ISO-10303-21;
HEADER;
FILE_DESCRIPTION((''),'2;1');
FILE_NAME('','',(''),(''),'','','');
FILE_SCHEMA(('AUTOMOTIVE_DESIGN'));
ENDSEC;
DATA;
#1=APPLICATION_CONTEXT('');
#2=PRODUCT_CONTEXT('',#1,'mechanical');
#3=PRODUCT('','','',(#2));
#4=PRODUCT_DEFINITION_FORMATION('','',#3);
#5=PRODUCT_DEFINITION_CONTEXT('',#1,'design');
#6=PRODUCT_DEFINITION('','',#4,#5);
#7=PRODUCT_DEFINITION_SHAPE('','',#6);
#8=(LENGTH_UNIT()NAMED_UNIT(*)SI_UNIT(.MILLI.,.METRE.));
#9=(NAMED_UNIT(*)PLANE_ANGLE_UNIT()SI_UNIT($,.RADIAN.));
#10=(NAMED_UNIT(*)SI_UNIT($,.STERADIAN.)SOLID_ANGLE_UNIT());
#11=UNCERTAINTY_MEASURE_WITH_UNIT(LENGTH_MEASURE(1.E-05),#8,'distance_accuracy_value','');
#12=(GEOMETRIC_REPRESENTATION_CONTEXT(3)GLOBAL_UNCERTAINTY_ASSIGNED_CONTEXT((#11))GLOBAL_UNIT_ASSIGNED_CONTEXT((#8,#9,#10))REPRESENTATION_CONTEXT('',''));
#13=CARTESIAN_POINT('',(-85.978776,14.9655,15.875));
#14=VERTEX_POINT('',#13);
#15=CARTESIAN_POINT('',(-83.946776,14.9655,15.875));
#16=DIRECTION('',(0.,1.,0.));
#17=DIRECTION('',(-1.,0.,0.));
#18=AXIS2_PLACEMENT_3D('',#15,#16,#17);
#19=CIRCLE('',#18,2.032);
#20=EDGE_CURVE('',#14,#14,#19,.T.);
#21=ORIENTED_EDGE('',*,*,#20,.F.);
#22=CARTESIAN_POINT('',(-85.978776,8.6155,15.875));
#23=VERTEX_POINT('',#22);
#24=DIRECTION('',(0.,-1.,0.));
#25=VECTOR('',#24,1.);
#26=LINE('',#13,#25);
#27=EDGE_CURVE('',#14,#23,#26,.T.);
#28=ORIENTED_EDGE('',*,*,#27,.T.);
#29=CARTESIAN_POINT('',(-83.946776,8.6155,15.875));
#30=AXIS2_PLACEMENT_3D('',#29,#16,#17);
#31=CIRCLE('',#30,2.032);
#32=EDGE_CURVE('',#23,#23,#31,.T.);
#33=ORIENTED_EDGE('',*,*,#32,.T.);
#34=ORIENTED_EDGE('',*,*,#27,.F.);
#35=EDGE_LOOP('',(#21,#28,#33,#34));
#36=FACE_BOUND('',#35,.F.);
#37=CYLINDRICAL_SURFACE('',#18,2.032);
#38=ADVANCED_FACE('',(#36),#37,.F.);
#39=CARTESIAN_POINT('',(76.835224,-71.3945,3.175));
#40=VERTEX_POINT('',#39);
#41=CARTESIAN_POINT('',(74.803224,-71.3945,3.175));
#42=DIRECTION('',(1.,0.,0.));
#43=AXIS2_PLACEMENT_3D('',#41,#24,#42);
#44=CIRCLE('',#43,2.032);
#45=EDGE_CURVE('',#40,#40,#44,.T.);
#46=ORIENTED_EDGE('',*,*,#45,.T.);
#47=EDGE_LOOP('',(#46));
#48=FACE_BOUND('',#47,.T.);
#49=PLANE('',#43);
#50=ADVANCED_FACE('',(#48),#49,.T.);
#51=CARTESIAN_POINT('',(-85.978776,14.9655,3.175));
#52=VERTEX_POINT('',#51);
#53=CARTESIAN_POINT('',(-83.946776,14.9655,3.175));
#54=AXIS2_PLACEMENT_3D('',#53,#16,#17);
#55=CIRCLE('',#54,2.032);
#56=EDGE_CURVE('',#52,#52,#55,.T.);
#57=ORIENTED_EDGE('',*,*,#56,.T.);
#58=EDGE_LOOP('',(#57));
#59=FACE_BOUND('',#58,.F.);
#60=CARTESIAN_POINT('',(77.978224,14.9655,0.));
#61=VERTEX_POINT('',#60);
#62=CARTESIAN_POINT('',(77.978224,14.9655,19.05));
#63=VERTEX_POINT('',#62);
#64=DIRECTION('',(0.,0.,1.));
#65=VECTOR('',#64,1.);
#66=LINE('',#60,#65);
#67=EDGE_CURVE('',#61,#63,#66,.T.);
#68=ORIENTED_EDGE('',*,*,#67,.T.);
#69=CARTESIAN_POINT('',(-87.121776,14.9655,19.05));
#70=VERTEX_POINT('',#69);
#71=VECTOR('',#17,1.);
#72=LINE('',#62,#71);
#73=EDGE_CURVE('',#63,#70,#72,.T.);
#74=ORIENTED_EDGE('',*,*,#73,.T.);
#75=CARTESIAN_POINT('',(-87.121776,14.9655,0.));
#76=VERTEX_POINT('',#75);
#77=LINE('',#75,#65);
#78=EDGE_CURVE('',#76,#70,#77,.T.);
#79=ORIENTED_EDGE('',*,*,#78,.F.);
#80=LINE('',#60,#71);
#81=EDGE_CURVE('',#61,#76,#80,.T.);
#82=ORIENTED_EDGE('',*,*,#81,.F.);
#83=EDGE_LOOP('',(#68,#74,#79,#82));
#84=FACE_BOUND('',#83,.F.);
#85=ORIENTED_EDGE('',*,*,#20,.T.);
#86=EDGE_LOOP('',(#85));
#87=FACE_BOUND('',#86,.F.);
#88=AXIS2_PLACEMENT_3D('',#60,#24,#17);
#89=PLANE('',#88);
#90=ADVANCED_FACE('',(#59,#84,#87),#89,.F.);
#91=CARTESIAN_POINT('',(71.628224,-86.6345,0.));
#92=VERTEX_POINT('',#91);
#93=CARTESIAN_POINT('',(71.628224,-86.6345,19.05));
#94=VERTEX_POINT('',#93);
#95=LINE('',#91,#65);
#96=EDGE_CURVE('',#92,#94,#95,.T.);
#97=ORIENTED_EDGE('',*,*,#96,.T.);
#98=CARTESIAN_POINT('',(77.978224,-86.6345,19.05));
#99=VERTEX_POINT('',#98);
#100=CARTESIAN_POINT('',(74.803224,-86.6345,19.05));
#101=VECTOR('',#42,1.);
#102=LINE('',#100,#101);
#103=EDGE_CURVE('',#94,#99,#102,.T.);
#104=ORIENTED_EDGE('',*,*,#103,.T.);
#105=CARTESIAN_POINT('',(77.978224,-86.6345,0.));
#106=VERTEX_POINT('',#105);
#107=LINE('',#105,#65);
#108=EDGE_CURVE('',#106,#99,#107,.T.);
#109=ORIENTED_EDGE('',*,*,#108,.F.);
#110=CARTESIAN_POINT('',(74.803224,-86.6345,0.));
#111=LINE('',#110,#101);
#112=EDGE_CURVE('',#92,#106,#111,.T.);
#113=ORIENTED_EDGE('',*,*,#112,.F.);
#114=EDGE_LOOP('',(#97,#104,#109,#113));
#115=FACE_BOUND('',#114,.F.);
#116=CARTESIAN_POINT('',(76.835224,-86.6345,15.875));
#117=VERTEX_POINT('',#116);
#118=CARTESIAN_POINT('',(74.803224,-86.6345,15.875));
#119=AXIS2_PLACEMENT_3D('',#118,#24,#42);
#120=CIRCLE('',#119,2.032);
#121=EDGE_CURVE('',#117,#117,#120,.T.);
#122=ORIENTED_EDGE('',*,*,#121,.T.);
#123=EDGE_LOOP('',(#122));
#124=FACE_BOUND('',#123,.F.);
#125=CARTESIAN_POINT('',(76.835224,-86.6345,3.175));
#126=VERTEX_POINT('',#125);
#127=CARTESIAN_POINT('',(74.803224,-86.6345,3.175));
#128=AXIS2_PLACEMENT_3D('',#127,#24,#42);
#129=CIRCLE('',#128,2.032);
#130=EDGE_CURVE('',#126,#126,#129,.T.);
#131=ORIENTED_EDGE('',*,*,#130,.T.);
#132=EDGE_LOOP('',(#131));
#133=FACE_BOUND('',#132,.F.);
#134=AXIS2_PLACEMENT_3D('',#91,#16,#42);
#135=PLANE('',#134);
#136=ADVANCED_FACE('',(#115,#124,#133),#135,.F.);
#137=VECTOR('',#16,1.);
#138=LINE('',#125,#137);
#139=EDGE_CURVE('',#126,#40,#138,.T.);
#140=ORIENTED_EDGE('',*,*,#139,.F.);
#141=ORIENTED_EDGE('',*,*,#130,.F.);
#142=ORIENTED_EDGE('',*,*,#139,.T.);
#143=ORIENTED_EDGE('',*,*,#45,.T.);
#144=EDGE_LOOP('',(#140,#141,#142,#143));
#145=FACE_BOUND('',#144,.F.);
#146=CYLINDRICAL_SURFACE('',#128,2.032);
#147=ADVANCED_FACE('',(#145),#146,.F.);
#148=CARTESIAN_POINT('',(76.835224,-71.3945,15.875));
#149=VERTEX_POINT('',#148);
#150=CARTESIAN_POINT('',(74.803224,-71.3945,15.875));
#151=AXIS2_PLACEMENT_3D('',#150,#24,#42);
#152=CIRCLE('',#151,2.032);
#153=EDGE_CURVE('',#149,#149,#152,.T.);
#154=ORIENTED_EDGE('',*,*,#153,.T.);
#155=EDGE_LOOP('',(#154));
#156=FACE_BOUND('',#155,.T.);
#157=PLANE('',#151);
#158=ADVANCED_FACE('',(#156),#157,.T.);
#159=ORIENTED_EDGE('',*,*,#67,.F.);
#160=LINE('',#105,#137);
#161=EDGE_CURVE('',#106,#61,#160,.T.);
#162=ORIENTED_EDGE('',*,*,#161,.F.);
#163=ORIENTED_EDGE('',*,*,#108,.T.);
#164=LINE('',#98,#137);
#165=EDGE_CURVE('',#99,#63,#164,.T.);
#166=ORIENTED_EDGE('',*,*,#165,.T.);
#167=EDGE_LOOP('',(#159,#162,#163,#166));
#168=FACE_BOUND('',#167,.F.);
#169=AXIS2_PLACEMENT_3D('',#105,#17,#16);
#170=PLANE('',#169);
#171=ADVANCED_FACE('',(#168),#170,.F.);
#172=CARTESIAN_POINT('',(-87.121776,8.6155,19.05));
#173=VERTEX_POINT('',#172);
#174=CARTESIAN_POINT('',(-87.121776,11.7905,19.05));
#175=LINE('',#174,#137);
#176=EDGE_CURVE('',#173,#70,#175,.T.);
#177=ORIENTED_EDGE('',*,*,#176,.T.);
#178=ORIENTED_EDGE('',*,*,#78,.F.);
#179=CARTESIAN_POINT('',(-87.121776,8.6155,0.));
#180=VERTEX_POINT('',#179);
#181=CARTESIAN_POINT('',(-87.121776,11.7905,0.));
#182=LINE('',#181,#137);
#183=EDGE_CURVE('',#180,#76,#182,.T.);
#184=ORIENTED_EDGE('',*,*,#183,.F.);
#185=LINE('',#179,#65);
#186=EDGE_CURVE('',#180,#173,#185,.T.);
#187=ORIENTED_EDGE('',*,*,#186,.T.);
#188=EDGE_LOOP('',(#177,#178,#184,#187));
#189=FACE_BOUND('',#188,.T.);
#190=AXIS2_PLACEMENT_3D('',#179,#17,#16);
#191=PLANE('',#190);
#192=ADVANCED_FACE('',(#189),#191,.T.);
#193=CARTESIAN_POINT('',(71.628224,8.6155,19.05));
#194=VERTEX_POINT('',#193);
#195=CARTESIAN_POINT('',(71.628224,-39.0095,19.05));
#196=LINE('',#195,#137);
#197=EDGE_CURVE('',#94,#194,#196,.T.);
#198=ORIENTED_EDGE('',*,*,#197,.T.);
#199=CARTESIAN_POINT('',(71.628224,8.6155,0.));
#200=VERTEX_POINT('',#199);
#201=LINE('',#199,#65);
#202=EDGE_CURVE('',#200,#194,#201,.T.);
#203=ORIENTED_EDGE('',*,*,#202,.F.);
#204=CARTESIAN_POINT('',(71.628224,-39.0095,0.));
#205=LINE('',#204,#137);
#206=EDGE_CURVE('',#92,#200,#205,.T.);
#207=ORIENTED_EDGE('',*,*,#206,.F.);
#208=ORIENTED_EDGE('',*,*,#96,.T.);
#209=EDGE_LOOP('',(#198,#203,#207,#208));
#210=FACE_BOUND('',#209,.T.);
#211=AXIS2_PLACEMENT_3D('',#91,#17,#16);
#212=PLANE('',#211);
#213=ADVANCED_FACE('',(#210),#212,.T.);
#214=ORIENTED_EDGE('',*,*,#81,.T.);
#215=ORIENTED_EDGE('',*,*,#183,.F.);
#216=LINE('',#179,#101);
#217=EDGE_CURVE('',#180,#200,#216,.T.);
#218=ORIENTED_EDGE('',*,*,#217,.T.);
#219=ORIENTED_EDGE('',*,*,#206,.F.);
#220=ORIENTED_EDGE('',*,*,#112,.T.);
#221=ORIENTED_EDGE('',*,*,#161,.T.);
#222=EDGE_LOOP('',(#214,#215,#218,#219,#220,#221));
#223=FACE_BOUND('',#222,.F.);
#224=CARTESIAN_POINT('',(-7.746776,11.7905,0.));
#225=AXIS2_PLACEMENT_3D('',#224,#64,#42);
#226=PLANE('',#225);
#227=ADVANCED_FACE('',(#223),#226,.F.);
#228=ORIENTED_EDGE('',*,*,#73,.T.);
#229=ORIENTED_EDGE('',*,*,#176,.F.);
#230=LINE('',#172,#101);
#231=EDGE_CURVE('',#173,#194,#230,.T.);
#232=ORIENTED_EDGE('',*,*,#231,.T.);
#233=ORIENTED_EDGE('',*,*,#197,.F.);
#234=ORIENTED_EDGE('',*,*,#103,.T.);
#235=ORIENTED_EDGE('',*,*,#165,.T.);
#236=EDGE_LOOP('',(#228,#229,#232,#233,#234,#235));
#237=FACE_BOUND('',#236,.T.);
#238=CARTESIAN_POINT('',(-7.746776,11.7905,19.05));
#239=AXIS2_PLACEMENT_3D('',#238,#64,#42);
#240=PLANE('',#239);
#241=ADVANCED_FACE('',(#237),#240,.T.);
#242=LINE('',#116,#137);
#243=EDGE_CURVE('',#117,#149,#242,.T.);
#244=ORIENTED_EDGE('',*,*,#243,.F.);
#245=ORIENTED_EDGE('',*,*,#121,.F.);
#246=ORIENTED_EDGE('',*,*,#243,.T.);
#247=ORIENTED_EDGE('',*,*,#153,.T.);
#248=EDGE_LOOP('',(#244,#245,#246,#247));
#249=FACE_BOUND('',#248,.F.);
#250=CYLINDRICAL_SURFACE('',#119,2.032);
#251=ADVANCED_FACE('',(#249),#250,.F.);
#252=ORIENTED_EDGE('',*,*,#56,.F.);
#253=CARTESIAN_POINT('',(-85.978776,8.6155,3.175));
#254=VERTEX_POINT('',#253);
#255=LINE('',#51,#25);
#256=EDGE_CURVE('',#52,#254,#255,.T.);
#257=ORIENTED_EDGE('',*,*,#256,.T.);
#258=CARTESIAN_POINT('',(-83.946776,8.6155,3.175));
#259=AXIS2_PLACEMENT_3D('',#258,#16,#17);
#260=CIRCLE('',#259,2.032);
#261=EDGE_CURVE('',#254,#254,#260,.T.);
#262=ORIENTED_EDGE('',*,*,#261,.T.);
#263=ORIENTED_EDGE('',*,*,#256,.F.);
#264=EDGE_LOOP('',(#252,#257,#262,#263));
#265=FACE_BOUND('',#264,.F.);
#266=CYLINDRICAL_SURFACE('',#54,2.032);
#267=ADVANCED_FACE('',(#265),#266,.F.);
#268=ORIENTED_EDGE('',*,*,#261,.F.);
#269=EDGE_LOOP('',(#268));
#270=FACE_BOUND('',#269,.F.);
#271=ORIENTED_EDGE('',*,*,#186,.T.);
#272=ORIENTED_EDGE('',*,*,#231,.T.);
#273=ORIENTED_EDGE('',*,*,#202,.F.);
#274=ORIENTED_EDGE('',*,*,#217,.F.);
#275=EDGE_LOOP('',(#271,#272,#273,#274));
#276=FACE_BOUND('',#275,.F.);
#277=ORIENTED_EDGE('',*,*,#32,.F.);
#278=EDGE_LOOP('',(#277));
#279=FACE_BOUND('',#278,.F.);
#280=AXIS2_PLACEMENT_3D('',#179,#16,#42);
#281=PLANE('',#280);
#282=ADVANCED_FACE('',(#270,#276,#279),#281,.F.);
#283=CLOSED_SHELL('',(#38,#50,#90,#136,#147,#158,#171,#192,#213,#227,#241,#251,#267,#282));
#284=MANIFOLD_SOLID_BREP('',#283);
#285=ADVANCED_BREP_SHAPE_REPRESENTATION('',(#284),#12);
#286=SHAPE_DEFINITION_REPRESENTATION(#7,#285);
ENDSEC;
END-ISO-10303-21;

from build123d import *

# Parameters (mm, degrees)
F0_W     = 158.75
F0_H     = 6.35
F0_W_2   = 6.35
F0_H_2   = 95.25
F1_DEPTH = 19.05
F2_R     = 2.032
F3_DEPTH = 15.24
F4_R     = 2.032
F5_DEPTH = 25.4


with BuildPart() as f1:
    # F0 (on Top) → F1 (new body)
    with BuildSketch(Plane.XY):
        with Locations((-7.746776, 11.7905)):
            Rectangle(F0_W, F0_H)
        with Locations((74.803224, 11.7905)):
            Rectangle(F0_W_2, F0_H)
        with Locations((74.803224, -39.0095)):
            Rectangle(F0_W_2, F0_H_2)
    extrude(amount=F1_DEPTH)

    # F2 (on face) → F3 (cut)
    with BuildSketch(Plane.XZ.offset(86.6345)):
        with Locations((74.803224, 15.875)):
            Circle(F2_R)
        with Locations((74.803224, 3.175)):
            Circle(F2_R)
    extrude(amount=-F3_DEPTH, mode=Mode.SUBTRACT)

    # F4 (on face) → F5 (cut)
    with BuildSketch(Plane(origin=(0, 14.9655, 0), x_dir=(-1, 0, 0), z_dir=(0, 1, 0))):
        with Locations((83.946776, 15.875)):
            Circle(F4_R)
        with Locations((83.946776, 3.175)):
            Circle(F4_R)
    extrude(amount=-F5_DEPTH, mode=Mode.SUBTRACT)


solid = f1.part
